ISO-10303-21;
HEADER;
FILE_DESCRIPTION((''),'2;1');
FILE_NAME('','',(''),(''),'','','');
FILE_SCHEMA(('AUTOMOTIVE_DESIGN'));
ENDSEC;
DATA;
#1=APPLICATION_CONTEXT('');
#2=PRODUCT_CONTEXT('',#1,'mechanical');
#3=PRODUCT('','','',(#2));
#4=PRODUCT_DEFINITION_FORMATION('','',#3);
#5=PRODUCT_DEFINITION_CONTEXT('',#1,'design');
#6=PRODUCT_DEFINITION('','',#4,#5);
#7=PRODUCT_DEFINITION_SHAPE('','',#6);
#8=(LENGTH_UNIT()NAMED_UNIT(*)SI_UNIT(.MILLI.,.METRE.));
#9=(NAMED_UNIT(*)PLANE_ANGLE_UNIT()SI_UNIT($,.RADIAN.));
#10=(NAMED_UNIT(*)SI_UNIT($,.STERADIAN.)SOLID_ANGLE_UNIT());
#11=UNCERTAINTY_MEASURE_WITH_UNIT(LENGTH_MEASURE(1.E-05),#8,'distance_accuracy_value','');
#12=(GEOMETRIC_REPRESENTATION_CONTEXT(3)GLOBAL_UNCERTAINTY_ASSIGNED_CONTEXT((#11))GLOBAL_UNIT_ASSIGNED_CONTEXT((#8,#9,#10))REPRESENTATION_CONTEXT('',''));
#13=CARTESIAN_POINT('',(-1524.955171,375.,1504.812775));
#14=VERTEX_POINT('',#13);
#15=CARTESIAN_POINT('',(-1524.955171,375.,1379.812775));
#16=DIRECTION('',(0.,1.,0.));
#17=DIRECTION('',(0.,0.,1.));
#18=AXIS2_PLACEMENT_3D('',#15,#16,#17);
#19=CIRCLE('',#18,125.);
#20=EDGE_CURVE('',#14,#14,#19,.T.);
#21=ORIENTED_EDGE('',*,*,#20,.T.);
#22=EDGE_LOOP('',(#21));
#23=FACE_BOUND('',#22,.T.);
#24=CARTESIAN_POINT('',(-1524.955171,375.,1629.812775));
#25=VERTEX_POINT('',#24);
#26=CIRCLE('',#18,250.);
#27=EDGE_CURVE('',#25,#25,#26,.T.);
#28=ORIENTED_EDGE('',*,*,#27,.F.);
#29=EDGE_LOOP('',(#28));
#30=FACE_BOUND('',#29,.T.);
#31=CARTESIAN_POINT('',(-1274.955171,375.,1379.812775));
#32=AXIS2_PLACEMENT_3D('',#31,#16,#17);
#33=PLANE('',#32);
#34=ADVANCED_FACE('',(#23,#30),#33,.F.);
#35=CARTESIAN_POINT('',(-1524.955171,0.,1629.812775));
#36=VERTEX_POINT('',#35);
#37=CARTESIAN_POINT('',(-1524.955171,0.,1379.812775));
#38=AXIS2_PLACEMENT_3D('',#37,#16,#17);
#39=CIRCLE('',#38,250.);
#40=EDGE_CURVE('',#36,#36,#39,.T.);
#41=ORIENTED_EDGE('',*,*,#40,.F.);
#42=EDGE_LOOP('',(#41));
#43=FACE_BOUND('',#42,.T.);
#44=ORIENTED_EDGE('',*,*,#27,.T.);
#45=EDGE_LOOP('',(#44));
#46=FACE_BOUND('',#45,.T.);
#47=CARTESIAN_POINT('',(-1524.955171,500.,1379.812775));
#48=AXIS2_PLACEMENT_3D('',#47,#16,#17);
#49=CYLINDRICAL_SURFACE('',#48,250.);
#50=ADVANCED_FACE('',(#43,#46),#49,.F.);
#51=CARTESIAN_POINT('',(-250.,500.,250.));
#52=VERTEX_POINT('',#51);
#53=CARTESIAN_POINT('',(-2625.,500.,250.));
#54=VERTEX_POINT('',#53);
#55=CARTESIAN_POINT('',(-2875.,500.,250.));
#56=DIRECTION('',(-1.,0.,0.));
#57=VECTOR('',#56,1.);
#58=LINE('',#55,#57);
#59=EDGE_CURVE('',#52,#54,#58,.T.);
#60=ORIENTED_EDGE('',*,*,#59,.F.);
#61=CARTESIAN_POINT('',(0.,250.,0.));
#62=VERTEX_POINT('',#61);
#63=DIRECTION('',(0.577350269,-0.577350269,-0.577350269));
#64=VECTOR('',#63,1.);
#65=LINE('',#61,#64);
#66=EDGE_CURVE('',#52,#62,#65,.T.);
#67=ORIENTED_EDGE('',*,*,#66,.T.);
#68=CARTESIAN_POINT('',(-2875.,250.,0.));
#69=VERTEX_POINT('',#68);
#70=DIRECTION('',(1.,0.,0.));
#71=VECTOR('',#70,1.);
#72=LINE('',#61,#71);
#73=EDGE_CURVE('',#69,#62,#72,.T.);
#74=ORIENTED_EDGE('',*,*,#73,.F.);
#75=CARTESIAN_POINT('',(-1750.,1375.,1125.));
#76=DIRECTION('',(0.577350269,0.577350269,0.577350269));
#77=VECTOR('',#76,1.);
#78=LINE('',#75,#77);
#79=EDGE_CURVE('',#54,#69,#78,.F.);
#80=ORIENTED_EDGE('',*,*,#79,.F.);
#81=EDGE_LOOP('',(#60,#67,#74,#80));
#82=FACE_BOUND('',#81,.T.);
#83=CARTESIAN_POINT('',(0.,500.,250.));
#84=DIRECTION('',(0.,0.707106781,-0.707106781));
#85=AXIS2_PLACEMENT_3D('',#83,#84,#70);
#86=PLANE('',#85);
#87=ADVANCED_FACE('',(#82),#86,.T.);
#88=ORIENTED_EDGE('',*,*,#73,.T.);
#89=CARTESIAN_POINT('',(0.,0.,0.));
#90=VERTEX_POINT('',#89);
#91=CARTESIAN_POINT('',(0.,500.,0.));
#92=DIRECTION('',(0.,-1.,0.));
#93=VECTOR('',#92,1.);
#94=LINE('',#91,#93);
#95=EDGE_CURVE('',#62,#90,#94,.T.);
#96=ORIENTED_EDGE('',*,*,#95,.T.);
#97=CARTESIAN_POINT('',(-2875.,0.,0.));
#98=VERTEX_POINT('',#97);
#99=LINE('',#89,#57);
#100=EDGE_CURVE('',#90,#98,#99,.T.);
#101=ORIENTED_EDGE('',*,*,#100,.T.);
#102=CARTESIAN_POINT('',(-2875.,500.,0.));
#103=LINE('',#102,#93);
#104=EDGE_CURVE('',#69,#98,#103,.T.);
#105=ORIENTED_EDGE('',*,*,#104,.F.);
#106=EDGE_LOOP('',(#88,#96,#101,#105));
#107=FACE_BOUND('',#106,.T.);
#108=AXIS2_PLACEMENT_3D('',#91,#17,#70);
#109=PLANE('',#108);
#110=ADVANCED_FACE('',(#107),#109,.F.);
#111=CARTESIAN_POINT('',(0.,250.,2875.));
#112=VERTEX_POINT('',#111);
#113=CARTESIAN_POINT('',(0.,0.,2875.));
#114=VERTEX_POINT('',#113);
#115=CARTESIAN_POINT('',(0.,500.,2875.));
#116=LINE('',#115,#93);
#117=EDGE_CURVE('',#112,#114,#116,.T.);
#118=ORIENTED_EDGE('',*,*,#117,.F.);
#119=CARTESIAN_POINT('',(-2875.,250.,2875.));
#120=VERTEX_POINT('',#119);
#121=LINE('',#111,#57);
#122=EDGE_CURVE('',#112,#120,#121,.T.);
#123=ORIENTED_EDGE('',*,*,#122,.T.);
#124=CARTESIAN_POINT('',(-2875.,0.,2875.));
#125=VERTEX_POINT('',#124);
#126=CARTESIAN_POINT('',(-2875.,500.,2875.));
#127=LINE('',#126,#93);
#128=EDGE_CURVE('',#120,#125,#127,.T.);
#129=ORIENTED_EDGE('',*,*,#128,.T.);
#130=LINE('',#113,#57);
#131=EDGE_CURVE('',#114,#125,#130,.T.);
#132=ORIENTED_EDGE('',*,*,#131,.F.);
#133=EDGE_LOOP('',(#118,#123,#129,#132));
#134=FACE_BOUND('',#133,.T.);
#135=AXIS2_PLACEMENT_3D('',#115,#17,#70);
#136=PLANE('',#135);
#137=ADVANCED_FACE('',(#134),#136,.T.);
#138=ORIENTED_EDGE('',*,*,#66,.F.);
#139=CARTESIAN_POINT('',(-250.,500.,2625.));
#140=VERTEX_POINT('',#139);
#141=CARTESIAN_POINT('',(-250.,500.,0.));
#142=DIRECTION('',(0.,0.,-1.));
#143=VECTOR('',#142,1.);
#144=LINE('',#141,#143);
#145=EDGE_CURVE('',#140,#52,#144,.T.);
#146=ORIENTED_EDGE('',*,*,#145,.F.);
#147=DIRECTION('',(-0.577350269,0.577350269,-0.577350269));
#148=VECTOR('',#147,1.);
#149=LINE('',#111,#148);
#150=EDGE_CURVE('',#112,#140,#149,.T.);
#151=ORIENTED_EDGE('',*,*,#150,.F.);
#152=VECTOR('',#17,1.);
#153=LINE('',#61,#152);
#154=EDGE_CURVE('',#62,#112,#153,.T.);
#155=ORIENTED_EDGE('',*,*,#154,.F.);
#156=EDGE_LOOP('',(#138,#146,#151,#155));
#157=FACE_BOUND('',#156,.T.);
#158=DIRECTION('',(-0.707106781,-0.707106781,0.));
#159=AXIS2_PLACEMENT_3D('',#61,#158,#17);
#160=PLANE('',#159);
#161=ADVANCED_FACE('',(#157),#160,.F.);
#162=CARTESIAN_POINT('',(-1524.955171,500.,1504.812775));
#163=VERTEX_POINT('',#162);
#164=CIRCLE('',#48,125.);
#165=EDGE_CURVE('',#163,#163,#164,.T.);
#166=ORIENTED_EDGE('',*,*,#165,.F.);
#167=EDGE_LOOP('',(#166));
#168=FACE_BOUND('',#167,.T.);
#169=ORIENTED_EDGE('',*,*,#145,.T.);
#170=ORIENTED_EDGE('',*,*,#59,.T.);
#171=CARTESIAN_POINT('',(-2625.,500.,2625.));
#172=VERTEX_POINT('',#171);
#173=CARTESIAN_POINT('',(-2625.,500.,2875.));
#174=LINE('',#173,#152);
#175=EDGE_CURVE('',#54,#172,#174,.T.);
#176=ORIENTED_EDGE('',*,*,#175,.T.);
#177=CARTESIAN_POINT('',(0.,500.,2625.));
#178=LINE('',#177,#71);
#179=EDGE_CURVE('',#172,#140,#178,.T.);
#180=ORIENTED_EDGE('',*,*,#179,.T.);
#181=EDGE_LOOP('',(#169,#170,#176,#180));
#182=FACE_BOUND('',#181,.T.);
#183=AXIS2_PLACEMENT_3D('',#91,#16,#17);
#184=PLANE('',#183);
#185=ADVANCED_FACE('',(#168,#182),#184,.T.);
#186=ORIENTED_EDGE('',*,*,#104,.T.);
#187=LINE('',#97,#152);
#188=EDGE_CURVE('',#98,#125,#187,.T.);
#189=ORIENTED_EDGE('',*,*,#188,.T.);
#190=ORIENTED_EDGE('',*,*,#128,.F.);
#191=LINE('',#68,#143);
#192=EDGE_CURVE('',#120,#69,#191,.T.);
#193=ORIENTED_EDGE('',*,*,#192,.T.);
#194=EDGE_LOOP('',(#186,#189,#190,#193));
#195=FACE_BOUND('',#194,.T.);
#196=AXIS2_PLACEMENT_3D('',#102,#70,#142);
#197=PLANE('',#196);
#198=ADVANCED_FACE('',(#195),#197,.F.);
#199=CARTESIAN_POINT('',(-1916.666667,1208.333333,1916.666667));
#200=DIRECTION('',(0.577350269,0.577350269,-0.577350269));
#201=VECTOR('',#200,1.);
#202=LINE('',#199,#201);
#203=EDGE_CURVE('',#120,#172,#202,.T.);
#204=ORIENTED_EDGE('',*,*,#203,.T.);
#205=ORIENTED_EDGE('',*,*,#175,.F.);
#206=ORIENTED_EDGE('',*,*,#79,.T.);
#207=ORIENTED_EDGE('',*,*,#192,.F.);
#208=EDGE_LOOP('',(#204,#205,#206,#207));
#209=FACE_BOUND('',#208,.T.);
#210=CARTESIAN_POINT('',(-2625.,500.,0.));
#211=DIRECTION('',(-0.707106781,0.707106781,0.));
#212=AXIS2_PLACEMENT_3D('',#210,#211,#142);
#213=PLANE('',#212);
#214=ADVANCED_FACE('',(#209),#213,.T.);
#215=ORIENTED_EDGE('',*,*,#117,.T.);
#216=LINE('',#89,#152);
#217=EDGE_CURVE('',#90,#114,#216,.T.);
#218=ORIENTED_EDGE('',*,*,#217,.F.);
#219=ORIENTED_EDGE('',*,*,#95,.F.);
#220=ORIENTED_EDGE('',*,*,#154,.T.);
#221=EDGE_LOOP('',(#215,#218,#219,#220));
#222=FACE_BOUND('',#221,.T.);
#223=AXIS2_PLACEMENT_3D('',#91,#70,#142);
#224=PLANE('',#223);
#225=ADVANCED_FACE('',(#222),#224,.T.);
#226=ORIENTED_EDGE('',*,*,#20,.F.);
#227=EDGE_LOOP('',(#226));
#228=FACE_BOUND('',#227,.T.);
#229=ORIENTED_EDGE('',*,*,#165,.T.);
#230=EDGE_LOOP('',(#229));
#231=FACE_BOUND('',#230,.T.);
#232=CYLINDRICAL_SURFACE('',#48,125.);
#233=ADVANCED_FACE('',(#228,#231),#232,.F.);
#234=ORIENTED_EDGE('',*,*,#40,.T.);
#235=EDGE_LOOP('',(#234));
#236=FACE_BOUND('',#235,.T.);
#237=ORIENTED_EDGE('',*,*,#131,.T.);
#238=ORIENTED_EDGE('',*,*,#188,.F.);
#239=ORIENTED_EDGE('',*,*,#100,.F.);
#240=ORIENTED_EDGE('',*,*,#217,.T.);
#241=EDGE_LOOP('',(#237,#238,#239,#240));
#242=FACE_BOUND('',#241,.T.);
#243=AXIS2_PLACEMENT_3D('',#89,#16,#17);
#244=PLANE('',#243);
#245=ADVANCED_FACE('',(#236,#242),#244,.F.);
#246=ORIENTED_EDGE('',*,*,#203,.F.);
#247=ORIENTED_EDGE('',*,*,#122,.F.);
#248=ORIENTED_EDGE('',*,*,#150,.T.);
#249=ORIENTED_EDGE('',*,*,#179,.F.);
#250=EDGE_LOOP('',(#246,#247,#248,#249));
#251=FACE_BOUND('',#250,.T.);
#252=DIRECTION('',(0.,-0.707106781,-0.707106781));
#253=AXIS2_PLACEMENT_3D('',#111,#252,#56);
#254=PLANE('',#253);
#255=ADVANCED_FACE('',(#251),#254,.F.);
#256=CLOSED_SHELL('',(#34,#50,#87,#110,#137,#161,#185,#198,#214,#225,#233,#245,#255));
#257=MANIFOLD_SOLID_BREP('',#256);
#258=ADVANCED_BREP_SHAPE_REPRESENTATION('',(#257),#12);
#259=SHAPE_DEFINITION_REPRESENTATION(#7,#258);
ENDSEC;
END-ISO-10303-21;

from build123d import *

# Parameters (mm, degrees)
SKETCH1_W           = 2875
SKETCH1_H           = 2875
BOSS_EXTRUDE1_DEPTH = 500
CHAMFER1_SIZE       = 250


with BuildPart() as part:
    # Sketch1 → Boss-Extrude1 (new body)
    with BuildSketch(Plane(origin=(0, 0, 0), x_dir=(1, 0, 0), z_dir=(0, 1, 0))):
        with Locations((-1437.5, -1437.5)):
            Rectangle(SKETCH1_W, SKETCH1_H)
    extrude(amount=BOSS_EXTRUDE1_DEPTH)

    # Chamfer1
    chamfer1_edges = [part.edges().sort_by_distance(p)[0] for p in [
        (-1437.5, 500, 0),
        (0, 500, 1437.5),
        (-1437.5, 500, 2875),
        (-2875, 500, 1437.5),
    ]]
    chamfer(chamfer1_edges, length=CHAMFER1_SIZE)

    # Sketch6 → Hole2 (revolve, cut)
    with BuildSketch(Plane(origin=(-1524.955171355, 500, 1379.812775197), x_dir=(0, 0, 1), z_dir=(1, 0, 0))):
        Polygon((0, 0), (0, 500), (250, 500), (250, 125), (125, 125), (125, 0), align=None)
    revolve(axis=Axis((-1524.955171355, 506.35, 1379.812775197), (0, -1, 0)), mode=Mode.SUBTRACT)


solid = part.part
